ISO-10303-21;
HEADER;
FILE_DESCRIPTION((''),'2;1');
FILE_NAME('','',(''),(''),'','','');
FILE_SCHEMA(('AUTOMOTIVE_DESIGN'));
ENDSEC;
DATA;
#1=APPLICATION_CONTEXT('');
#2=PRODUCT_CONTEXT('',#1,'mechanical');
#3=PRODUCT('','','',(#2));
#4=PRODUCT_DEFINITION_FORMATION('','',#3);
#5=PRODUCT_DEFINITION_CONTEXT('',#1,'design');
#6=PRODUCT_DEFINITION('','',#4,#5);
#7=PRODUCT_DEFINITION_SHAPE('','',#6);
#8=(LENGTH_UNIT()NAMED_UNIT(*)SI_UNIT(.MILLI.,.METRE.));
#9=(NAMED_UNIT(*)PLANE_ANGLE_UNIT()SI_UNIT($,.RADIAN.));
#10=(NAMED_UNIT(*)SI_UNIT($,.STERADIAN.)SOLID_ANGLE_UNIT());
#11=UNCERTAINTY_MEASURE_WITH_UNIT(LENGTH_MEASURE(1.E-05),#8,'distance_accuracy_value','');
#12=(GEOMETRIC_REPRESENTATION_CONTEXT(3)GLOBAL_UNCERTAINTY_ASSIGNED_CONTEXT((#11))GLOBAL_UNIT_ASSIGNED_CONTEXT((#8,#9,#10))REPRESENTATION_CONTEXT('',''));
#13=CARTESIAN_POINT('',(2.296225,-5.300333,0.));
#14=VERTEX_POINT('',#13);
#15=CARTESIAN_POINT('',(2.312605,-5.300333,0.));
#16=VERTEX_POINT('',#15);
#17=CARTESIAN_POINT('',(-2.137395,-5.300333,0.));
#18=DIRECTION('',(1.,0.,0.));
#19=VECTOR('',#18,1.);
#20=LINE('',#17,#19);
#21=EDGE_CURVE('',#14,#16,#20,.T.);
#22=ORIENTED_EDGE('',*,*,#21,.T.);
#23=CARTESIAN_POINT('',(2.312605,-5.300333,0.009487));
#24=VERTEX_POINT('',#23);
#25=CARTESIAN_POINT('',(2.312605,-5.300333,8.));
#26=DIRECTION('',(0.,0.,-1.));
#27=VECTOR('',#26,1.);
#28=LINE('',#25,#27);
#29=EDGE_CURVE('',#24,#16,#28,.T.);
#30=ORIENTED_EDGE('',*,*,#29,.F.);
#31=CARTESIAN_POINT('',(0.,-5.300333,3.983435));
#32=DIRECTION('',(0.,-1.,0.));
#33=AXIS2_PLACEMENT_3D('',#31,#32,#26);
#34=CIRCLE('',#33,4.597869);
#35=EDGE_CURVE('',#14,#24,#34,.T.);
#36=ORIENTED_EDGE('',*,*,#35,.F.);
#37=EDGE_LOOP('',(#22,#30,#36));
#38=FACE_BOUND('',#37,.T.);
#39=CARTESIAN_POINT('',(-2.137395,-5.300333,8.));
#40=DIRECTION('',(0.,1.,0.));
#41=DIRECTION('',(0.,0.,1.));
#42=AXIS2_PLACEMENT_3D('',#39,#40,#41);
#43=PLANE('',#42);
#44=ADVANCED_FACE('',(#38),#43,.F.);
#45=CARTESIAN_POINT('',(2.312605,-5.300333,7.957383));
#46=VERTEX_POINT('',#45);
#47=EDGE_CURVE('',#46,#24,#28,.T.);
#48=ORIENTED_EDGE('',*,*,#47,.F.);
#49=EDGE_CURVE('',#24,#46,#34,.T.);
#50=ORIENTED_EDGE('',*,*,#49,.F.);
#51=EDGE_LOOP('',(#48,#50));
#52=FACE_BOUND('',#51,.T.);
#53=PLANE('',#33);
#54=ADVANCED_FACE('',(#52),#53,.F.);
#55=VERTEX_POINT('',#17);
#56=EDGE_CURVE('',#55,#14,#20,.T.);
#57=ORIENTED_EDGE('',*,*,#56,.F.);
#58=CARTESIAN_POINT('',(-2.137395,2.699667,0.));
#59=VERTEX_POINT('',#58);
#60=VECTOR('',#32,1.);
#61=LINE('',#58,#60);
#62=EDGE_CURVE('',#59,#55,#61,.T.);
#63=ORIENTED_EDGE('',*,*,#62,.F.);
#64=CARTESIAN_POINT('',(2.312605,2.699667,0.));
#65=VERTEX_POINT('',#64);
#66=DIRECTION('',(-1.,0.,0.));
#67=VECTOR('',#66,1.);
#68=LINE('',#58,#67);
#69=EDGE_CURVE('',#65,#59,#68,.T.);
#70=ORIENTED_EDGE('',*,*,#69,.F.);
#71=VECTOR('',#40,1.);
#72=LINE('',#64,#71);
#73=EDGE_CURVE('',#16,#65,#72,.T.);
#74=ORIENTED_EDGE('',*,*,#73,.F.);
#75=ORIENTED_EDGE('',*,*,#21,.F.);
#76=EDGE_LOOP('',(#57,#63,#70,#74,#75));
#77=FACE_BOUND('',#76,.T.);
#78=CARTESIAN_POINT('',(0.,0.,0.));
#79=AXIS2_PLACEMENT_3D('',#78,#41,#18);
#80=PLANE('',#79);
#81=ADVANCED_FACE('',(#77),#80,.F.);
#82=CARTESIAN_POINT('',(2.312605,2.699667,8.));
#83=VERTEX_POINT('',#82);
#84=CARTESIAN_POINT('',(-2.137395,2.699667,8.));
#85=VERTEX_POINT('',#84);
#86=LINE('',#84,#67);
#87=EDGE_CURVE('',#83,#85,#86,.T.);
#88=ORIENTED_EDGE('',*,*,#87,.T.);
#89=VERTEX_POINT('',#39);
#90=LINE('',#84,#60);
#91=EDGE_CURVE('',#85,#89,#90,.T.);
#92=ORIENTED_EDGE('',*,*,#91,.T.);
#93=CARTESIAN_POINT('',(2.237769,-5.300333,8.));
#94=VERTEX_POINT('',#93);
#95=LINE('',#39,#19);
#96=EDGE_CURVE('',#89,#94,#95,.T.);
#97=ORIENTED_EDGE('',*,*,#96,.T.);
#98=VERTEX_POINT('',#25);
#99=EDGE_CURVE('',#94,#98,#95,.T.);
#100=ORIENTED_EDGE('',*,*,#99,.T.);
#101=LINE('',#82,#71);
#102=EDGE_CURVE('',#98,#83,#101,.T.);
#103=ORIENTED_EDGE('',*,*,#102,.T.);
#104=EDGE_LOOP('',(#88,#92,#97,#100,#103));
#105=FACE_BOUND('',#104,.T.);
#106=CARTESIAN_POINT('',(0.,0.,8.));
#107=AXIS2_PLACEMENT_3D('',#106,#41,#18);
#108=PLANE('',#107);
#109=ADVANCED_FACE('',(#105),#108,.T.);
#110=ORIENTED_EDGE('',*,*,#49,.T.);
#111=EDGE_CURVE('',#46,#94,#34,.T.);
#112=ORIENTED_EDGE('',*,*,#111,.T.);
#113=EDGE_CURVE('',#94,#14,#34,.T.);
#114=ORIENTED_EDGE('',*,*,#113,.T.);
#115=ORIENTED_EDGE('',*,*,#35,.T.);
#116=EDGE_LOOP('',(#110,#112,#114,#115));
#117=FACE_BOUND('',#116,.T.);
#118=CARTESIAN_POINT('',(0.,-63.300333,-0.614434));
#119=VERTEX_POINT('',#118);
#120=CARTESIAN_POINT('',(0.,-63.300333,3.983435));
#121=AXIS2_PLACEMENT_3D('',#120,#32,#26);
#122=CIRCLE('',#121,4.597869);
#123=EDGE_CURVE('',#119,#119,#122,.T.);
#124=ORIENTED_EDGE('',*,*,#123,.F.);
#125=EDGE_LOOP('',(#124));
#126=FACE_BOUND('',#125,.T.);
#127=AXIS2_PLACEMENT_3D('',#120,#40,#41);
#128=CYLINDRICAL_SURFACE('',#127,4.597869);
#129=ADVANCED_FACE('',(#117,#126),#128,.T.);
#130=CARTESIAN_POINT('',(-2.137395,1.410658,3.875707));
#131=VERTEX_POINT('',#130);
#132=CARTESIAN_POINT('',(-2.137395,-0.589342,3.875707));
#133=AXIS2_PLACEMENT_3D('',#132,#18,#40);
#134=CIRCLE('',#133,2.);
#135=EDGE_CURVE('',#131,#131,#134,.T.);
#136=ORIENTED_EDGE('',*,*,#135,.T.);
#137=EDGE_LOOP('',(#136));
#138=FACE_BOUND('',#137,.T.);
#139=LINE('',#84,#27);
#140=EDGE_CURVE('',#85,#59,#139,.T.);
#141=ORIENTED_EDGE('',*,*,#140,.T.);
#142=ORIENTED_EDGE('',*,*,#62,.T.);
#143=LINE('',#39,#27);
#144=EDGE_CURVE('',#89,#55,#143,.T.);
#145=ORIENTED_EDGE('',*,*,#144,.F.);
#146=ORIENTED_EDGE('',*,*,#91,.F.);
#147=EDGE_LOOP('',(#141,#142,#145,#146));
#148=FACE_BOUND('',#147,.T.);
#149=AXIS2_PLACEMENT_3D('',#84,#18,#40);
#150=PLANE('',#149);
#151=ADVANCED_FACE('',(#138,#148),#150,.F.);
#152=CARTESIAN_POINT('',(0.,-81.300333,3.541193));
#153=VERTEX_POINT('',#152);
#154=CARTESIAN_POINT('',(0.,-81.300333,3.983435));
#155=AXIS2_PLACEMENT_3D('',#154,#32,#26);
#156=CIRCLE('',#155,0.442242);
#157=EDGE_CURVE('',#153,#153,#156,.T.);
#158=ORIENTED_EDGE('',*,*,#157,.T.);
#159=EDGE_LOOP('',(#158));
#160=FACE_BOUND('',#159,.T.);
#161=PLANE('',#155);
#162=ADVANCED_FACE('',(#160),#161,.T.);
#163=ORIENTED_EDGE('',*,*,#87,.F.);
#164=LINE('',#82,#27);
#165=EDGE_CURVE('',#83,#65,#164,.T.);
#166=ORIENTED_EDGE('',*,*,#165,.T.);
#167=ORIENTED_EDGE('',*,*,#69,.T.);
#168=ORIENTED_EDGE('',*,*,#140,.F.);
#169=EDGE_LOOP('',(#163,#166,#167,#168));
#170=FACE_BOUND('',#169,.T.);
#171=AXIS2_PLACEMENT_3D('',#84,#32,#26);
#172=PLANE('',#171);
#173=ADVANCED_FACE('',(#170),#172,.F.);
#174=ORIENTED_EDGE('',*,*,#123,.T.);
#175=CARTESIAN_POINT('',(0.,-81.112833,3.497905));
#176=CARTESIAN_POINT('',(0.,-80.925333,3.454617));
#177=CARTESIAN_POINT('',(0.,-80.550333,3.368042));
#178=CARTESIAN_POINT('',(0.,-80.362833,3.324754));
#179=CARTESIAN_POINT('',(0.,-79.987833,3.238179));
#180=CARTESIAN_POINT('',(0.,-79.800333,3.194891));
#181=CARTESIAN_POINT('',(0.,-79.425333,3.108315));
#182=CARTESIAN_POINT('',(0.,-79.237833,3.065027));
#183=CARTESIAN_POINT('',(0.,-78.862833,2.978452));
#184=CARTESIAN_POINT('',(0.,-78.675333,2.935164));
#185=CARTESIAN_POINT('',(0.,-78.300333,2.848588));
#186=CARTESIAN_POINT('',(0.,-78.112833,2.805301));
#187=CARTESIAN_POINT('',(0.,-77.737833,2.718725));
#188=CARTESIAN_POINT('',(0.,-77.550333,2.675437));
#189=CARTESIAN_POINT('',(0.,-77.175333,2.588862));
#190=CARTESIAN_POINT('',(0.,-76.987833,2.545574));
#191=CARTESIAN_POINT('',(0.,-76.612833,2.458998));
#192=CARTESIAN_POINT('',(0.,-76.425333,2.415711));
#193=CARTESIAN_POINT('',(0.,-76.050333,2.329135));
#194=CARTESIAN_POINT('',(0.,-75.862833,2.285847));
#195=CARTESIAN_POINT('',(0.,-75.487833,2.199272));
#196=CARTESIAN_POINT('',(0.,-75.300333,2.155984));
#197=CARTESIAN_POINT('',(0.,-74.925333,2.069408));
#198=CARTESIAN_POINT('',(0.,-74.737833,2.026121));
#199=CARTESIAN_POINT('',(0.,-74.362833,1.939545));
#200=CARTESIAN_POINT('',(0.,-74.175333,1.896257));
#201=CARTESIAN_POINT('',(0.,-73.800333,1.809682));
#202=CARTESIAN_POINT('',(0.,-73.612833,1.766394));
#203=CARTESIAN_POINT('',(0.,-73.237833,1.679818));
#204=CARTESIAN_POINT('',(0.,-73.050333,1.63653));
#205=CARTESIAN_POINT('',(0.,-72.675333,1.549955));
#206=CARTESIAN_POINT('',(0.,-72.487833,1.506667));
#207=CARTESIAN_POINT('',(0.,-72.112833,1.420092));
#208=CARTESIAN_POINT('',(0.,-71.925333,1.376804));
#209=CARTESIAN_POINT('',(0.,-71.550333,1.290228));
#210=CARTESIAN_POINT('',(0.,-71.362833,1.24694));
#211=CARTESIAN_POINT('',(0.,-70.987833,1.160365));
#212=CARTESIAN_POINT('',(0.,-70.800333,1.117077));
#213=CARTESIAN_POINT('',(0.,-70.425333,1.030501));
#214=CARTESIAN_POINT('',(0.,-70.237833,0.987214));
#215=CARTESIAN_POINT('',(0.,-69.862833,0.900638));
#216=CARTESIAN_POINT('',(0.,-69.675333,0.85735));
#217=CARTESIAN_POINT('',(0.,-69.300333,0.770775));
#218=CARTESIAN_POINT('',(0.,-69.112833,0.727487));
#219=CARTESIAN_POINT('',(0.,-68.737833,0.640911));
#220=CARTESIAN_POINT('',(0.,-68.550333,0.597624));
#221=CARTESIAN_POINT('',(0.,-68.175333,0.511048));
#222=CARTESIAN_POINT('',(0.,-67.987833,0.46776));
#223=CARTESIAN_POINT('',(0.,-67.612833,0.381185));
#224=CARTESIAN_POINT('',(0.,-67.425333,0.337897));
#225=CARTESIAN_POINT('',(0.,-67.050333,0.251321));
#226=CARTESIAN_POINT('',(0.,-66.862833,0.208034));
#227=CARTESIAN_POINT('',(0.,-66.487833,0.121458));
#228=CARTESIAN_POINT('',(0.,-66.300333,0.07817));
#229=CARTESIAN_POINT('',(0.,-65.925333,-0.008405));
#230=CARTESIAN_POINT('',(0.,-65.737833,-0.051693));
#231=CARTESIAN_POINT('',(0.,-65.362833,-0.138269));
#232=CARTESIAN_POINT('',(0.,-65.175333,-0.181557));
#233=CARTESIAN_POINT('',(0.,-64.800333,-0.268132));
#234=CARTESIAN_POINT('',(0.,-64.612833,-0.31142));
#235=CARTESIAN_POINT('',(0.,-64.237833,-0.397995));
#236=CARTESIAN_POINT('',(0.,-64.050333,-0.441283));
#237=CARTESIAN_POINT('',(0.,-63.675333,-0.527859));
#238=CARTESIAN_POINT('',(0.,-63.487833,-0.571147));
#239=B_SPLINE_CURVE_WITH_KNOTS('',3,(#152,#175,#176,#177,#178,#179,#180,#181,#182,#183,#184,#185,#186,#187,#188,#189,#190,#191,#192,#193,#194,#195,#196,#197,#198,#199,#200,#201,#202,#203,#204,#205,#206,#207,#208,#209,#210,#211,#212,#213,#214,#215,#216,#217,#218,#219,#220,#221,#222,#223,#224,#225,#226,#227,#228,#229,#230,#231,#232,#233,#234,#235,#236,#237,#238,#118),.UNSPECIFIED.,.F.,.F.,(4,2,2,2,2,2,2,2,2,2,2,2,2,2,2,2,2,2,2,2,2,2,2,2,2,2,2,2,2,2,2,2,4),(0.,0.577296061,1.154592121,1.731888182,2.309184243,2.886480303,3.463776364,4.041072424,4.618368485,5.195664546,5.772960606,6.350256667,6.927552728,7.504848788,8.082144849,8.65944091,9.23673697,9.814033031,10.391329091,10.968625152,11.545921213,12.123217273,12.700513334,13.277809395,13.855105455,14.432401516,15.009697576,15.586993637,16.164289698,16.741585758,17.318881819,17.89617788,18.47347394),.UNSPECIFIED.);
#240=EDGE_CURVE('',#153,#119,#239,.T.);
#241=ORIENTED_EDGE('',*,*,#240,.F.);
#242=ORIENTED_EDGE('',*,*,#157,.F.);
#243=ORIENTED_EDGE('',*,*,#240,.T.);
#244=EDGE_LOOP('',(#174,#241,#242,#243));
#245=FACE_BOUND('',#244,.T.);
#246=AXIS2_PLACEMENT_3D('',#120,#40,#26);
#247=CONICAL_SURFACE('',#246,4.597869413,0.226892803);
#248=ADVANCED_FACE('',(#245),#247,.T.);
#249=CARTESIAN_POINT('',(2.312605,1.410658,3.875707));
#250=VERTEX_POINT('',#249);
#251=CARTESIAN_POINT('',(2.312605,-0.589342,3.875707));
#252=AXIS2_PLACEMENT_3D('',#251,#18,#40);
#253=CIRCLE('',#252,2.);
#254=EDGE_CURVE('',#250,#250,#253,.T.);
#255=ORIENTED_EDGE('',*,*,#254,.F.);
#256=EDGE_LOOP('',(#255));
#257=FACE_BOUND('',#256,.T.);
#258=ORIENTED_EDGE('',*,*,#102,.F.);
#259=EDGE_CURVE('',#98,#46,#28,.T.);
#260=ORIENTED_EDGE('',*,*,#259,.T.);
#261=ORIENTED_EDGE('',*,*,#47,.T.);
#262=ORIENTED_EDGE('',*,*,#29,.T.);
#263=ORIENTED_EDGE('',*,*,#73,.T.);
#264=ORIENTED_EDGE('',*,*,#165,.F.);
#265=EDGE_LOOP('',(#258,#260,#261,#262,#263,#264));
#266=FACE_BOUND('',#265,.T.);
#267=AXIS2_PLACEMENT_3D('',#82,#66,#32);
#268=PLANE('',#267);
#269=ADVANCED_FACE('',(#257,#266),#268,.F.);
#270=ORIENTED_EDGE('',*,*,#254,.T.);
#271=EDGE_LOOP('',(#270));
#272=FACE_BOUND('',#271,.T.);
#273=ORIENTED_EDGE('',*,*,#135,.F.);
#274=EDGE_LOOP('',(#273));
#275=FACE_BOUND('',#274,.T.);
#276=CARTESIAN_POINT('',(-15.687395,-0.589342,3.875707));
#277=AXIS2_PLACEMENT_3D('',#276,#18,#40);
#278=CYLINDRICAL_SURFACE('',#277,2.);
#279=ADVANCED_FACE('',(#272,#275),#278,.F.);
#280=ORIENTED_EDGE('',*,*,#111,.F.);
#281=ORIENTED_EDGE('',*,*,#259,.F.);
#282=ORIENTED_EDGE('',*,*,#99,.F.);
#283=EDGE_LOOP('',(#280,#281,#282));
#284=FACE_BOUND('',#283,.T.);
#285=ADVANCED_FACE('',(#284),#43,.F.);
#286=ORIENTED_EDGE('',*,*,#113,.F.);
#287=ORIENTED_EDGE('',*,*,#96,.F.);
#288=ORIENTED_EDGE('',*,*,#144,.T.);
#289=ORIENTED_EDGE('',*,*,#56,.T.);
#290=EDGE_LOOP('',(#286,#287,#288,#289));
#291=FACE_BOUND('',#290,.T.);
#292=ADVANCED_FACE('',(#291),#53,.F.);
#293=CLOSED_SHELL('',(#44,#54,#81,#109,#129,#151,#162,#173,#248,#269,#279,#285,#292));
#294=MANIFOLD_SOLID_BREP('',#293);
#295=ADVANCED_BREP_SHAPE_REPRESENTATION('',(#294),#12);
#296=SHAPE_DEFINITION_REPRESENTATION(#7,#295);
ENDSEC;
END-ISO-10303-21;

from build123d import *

# Parameters (mm, degrees)
ESQUISSE1_W             = 4.45
ESQUISSE1_H             = 8
BOSS_EXTRU_1_DEPTH      = 8
ESQUISSE2_R             = 4.597869413
BOSS_EXTRU_2_DEPTH      = 58
ESQUISSE4_R             = 2
ENL_V_MAT_EXTRU_1_DEPTH = 18
ESQUISSE5_R             = 4.597869413
BOSS_EXTRU_3_DEPTH      = 18
BOSS_EXTRU_3_TAPER      = 13


with BuildPart() as part:
    # Esquisse1 → Boss.-Extru.1 (new body)
    with BuildSketch(Plane.XY):
        with Locations((0.087605016, -1.300333333)):
            Rectangle(ESQUISSE1_W, ESQUISSE1_H)
    extrude(amount=BOSS_EXTRU_1_DEPTH)

    # Esquisse2 → Boss.-Extru.2 (add)
    with BuildSketch(Plane.XZ.offset(5.300333333)):
        with Locations(Location((0, 3.983435039, 0), (0, 0, 60.876291729))):
            Circle(ESQUISSE2_R)
    extrude(amount=BOSS_EXTRU_2_DEPTH)

    # Esquisse4 → Enlèv. mat.-Extru.1 (cut)
    with BuildSketch(Plane(origin=(2.312605016, 0, 0), x_dir=(0, 0, -1), z_dir=(1, 0, 0))):
        with Locations(Location((-3.87570667, -0.589342017, 0), (0, 0, 90))):
            Circle(ESQUISSE4_R)
    extrude(amount=-ENL_V_MAT_EXTRU_1_DEPTH, mode=Mode.SUBTRACT)

    # Esquisse5 → Boss.-Extru.3 (add)
    with BuildSketch(Plane.XZ.offset(63.300333333)):
        with Locations(Location((0, 3.983435039, 0), (0, 0, 60.876291729))):
            Circle(ESQUISSE5_R)
    extrude(amount=BOSS_EXTRU_3_DEPTH, taper=BOSS_EXTRU_3_TAPER)


solid = part.part
